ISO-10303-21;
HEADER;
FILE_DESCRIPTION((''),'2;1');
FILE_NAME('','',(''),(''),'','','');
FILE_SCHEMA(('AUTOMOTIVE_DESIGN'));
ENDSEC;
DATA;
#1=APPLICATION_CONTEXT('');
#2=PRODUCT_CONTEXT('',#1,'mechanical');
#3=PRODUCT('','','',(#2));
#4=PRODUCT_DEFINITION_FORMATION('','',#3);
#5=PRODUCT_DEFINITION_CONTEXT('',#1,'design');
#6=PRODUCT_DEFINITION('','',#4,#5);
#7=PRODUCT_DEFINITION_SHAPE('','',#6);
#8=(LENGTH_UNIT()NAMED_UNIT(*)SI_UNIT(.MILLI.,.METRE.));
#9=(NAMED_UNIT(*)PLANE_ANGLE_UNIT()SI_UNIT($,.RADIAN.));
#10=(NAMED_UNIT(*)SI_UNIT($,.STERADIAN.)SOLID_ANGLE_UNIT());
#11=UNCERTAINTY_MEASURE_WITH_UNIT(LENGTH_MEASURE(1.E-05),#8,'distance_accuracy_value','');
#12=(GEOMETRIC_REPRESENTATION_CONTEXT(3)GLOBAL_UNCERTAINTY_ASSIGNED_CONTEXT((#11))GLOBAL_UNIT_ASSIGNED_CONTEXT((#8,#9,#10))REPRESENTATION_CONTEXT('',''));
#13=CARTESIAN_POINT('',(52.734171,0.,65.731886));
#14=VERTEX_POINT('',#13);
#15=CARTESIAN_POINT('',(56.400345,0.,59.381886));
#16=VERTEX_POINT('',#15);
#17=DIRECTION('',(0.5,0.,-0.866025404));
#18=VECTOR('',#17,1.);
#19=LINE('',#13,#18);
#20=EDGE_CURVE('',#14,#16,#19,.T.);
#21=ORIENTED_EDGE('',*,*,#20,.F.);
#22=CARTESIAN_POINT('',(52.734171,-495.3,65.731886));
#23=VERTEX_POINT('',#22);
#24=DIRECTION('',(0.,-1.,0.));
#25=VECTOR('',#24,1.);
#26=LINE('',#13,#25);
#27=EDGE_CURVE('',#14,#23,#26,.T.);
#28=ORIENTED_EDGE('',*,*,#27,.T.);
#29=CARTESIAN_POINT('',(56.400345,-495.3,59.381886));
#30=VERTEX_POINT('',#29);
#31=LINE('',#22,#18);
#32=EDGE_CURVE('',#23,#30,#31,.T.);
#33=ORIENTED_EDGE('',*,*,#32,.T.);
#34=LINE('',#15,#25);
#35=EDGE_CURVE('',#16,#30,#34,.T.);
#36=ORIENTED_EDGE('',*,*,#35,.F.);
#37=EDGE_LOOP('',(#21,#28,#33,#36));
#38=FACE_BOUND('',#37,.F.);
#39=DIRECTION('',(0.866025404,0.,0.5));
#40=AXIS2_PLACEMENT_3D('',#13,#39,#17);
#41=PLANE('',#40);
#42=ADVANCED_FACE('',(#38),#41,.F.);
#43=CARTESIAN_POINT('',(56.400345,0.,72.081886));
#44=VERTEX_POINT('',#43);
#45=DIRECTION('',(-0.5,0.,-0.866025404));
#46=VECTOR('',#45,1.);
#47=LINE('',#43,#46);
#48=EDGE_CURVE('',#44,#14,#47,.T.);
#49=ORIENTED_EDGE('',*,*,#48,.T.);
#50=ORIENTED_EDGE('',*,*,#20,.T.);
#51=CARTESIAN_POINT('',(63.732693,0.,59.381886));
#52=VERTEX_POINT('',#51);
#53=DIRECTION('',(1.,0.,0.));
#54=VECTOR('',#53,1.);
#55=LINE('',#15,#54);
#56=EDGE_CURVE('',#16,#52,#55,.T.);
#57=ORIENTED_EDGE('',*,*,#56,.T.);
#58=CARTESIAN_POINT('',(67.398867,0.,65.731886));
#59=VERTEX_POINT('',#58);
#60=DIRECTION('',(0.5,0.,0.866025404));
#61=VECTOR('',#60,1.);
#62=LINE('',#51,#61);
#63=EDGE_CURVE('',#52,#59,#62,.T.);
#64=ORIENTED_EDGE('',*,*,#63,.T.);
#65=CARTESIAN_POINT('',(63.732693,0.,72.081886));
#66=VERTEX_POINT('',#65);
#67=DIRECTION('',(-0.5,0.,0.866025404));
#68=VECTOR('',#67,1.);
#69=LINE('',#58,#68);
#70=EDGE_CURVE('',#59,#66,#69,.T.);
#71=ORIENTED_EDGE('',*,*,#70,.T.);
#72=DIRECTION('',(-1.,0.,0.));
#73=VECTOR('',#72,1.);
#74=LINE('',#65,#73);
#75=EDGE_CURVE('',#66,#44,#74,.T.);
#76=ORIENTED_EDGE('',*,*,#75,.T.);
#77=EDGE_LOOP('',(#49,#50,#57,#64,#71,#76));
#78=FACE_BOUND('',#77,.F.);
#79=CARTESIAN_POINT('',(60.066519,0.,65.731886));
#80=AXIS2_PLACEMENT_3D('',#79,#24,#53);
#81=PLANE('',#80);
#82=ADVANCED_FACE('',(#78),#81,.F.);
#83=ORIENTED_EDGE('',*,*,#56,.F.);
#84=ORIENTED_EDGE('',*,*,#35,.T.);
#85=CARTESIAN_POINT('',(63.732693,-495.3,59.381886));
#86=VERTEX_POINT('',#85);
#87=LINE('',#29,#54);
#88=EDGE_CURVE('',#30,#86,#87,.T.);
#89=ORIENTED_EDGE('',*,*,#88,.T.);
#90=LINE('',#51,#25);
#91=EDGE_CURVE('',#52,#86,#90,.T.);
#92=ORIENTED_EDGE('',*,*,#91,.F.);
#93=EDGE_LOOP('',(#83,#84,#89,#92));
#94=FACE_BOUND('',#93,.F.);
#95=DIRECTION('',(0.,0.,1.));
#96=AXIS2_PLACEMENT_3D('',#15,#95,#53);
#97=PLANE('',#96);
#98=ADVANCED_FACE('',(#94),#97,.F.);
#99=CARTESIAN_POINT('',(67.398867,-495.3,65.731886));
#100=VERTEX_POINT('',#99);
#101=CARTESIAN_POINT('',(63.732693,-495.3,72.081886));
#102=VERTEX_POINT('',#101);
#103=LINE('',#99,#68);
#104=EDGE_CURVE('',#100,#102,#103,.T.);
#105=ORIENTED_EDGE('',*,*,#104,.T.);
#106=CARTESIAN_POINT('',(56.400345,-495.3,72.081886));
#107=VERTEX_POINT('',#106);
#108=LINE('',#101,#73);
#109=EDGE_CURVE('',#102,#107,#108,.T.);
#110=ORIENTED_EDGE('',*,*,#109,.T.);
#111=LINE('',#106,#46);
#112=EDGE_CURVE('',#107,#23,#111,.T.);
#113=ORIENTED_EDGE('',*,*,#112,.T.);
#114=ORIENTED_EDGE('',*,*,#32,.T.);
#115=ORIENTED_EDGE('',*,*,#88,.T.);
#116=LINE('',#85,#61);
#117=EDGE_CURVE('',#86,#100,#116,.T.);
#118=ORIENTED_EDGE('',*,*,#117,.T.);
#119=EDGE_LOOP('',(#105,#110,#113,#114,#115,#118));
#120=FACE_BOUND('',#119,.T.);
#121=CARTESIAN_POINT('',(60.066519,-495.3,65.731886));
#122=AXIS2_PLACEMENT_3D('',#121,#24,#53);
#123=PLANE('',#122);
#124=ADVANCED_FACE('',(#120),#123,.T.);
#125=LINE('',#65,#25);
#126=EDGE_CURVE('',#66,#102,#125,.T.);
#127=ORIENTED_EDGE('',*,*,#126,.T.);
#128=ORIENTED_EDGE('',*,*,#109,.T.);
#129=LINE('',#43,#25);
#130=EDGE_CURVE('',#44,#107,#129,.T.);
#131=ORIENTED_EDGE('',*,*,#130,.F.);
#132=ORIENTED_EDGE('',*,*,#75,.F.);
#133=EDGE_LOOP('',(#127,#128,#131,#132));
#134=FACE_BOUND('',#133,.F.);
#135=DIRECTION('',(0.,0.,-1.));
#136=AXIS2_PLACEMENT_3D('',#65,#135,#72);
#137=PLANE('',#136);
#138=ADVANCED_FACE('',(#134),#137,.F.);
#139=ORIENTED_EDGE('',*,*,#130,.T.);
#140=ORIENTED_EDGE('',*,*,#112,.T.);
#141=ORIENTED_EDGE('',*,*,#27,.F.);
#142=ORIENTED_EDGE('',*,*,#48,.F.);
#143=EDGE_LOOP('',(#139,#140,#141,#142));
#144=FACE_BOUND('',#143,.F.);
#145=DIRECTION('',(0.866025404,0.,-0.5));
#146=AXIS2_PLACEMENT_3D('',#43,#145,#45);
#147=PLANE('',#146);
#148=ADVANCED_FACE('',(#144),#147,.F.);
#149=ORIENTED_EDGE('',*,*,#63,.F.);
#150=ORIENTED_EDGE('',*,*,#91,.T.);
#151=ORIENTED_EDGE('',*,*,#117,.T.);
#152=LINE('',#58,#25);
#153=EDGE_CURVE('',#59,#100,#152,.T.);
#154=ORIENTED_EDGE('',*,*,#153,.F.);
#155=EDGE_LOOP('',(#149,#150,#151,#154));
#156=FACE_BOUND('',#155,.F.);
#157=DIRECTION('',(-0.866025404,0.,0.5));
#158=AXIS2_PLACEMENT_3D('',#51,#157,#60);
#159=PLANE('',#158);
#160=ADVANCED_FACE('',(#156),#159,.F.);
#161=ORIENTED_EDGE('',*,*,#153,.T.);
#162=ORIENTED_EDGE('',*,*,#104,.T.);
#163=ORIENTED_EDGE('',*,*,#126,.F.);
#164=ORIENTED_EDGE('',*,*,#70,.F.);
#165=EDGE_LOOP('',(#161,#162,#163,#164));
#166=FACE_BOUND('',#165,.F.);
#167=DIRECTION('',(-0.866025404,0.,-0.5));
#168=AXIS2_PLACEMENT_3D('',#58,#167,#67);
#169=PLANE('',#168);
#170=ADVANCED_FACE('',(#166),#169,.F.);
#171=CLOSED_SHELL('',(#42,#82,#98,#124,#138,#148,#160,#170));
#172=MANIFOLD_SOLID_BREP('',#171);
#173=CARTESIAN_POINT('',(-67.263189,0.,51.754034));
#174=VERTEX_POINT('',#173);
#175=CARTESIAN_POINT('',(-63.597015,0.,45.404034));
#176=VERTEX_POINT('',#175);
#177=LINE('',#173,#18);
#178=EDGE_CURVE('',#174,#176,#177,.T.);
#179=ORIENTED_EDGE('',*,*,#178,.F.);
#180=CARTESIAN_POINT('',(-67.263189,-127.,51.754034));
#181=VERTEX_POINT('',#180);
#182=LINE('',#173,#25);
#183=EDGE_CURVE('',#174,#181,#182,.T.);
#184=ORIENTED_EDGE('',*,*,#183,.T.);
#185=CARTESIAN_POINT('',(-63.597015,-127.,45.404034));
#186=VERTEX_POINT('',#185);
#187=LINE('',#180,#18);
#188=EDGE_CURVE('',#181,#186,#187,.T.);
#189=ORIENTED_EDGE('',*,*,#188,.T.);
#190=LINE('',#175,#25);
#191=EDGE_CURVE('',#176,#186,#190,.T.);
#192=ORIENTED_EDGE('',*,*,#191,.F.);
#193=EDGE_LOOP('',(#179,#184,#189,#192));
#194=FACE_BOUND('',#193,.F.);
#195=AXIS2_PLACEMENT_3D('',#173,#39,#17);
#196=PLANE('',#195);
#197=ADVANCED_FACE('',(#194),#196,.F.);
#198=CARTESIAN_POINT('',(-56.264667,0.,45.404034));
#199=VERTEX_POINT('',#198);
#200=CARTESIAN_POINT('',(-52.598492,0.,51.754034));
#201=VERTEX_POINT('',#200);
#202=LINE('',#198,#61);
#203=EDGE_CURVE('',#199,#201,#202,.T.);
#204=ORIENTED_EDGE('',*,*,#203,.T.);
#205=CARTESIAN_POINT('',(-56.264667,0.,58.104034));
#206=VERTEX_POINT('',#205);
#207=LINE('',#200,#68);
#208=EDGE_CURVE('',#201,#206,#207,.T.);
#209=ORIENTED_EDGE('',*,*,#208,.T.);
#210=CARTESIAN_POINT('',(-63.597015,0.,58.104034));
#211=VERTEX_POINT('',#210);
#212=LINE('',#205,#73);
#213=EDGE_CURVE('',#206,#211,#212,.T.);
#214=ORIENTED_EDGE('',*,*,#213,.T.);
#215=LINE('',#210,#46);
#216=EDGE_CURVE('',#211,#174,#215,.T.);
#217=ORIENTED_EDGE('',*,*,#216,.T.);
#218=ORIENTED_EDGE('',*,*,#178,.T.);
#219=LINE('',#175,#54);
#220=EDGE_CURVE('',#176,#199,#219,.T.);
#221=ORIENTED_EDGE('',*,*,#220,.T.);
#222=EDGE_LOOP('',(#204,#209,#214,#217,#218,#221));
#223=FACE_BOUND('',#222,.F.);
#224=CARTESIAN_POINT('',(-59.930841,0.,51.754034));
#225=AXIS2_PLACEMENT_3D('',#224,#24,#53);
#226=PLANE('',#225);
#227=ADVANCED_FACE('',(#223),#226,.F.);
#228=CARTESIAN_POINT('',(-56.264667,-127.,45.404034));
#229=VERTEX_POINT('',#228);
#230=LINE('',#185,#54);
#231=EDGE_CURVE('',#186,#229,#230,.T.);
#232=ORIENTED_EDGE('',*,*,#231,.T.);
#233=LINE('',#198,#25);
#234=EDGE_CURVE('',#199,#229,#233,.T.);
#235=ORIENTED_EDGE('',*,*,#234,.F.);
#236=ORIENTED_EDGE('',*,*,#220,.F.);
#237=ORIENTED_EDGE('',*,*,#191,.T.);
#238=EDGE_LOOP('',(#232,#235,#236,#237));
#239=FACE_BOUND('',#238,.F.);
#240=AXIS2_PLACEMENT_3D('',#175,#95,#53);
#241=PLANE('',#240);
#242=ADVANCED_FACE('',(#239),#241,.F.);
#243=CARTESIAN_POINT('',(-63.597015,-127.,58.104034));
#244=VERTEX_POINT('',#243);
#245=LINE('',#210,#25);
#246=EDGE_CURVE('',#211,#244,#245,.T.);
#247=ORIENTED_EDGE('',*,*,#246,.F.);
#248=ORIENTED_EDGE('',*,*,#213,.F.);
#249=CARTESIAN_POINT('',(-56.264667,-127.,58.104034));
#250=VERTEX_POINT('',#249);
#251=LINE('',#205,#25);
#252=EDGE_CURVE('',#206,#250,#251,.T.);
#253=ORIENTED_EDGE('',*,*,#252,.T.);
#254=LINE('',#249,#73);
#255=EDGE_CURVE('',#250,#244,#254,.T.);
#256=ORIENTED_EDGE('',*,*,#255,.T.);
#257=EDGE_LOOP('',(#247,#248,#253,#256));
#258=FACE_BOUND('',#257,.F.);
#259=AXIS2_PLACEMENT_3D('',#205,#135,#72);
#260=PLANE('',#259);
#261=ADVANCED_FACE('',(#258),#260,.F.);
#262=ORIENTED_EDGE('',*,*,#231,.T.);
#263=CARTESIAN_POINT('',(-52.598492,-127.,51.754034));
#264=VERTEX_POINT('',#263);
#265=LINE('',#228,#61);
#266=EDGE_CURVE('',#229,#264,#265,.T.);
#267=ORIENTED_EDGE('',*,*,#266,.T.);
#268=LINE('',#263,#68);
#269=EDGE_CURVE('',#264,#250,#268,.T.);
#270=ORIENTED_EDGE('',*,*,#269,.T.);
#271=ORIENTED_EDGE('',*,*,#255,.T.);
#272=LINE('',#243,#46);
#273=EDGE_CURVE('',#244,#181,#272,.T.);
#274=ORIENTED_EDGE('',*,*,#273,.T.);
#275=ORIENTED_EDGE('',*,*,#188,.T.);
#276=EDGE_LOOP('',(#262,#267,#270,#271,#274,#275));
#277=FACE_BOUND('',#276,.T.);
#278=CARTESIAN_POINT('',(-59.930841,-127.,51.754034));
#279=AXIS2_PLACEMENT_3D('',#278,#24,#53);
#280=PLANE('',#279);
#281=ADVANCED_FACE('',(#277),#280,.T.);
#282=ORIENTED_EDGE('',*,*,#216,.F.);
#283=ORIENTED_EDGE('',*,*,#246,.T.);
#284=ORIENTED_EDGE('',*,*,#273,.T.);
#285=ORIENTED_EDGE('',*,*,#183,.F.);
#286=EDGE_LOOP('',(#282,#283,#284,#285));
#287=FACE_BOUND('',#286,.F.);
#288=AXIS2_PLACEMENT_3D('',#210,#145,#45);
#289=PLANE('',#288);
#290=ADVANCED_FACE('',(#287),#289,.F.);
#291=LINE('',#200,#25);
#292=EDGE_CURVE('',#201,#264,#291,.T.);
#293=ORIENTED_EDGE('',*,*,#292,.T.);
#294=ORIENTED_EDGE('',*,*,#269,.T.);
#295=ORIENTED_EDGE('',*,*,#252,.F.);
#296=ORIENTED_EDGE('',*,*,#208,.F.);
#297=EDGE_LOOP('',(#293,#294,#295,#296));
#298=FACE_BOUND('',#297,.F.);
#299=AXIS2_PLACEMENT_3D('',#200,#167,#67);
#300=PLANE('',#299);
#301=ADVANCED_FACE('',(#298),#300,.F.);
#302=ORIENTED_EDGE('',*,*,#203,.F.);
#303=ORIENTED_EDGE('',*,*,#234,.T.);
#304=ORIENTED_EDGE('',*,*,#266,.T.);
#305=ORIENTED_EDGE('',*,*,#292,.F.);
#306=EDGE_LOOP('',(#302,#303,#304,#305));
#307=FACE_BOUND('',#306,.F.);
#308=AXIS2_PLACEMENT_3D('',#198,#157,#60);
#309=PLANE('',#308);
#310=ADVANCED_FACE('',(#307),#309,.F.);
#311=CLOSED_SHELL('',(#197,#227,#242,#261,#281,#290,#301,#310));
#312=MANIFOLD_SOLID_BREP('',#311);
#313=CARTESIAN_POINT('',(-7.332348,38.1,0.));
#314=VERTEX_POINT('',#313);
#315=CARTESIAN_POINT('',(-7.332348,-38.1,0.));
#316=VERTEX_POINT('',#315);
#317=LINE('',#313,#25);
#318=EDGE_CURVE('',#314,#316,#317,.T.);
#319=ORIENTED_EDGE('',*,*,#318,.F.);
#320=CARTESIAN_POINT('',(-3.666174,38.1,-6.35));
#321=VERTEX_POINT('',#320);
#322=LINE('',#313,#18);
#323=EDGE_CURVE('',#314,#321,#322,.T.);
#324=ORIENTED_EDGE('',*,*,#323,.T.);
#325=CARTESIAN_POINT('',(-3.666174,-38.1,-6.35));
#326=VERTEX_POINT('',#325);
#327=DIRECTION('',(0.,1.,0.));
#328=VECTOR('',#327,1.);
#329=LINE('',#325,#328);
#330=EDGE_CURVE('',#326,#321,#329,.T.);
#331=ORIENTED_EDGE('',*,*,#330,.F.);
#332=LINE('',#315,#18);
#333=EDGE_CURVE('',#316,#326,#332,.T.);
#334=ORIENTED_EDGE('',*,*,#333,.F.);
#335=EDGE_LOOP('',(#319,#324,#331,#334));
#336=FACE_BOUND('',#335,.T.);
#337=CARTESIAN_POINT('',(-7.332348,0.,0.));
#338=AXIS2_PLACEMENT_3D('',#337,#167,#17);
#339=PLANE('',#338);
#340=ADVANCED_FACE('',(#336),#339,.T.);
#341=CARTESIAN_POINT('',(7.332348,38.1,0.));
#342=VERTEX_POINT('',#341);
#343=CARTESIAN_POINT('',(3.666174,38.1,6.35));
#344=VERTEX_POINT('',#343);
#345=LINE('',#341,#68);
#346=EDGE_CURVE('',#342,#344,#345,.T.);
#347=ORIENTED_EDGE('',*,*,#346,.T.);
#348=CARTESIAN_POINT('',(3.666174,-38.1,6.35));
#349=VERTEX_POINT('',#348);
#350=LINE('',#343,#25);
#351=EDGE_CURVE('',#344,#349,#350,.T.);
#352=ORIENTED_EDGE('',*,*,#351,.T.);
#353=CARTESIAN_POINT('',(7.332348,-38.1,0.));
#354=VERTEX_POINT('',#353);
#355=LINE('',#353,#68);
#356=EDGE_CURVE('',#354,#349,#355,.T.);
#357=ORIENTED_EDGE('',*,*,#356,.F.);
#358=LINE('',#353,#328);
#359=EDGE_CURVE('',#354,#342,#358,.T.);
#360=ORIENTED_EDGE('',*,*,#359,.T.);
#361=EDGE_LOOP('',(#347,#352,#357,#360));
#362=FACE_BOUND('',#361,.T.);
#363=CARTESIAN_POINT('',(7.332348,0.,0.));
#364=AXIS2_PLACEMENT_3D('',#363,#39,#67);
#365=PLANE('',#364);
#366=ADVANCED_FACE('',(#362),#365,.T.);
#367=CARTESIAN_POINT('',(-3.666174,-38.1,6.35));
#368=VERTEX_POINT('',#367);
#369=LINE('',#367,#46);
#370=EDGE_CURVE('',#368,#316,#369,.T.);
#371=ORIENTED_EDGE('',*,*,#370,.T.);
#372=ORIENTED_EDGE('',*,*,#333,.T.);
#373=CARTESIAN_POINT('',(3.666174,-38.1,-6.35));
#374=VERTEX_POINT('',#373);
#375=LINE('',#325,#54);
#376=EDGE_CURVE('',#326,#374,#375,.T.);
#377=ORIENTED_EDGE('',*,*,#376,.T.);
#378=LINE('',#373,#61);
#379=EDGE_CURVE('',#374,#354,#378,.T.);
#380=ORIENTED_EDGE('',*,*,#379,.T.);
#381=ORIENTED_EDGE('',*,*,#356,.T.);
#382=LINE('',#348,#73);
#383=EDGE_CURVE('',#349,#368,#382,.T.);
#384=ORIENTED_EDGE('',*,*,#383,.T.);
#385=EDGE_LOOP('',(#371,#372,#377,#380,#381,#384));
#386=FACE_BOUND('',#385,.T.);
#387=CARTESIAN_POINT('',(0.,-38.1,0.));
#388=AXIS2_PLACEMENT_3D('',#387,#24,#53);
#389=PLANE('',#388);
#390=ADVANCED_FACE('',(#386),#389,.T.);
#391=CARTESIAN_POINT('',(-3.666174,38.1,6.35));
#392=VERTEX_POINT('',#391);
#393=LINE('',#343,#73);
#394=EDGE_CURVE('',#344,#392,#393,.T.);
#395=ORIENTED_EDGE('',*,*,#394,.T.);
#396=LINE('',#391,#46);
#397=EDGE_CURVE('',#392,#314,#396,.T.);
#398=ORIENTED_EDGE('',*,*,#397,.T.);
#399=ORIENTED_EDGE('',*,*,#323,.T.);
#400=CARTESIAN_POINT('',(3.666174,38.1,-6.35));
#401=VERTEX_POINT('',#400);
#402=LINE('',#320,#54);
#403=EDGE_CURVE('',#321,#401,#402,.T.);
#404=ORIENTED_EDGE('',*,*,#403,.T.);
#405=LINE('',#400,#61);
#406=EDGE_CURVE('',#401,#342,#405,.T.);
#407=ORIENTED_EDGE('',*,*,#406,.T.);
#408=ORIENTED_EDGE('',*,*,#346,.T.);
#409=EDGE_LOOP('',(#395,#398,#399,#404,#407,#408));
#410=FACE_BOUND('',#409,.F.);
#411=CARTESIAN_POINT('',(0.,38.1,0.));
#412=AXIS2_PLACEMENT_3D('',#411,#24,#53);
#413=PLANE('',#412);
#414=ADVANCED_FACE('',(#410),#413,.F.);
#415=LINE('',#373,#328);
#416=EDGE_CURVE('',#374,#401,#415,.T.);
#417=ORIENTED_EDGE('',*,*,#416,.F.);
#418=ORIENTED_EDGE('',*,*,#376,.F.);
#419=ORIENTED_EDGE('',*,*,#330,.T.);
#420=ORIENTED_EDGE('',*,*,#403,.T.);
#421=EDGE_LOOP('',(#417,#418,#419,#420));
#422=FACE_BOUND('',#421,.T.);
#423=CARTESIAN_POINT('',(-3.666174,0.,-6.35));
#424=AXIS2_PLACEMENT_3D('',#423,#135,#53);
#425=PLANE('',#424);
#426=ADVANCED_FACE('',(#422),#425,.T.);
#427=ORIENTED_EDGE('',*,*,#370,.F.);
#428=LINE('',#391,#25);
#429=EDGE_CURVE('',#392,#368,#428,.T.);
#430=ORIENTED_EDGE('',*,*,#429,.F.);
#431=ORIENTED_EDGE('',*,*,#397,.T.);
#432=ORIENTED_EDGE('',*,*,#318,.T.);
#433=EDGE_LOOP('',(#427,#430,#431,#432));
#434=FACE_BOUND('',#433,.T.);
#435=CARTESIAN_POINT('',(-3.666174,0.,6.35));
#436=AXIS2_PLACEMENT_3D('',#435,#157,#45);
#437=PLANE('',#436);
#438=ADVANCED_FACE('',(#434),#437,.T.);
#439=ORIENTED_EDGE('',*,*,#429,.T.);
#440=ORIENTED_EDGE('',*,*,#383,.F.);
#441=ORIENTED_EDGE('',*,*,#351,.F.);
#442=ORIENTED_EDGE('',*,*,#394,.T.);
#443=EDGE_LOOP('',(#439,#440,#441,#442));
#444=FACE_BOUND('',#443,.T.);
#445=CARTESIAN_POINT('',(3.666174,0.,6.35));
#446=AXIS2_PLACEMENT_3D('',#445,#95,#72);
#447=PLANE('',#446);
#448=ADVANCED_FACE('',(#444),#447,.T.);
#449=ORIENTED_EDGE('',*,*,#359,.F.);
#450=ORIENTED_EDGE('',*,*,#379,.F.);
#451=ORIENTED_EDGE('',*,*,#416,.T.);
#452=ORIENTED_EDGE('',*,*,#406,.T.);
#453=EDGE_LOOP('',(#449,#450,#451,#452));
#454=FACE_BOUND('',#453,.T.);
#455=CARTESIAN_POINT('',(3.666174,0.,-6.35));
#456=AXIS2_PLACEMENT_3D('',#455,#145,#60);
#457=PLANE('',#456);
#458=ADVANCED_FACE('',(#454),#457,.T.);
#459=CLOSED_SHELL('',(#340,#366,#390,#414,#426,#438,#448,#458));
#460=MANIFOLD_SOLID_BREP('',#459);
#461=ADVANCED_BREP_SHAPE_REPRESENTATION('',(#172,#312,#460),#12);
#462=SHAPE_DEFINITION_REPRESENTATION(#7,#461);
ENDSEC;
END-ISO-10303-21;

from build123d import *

# Parameters (mm, degrees)
F1_DEPTH = 38.1
F3_DEPTH = 127
F5_DEPTH = 495.3


with BuildPart() as f1:
    # F0 (on Front) → F1 (new body, symmetric)
    with BuildSketch(Plane.XZ):
        Polygon((7.3323484187, 0), (3.6661742094, 6.35), (-3.6661742094, 6.35), (-7.3323484187, 0), (-3.6661742094, -6.35), (3.6661742094, -6.35), align=None)
    extrude(amount=F1_DEPTH, both=True)


with BuildPart() as f3:
    # F2 (on Front) → F3 (new body)
    with BuildSketch(Plane.XZ):
        Polygon((-52.598492423, 51.7540338576), (-56.2646666324, 58.1040338576), (-63.5970150511, 58.1040338576), (-67.2631892604, 51.7540338576), (-63.5970150511, 45.4040338576), (-56.2646666324, 45.4040338576), align=None)
    extrude(amount=F3_DEPTH)


with BuildPart() as f5:
    # F4 (on Front) → F5 (new body)
    with BuildSketch(Plane.XZ):
        Polygon((67.3988673892, 65.7318855762), (63.7326931799, 72.0818855762), (56.4003447612, 72.0818855762), (52.7341705518, 65.7318855762), (56.4003447612, 59.3818855762), (63.7326931799, 59.3818855762), align=None)
    extrude(amount=F5_DEPTH)


solid = Compound([f1.part, f3.part, f5.part])
